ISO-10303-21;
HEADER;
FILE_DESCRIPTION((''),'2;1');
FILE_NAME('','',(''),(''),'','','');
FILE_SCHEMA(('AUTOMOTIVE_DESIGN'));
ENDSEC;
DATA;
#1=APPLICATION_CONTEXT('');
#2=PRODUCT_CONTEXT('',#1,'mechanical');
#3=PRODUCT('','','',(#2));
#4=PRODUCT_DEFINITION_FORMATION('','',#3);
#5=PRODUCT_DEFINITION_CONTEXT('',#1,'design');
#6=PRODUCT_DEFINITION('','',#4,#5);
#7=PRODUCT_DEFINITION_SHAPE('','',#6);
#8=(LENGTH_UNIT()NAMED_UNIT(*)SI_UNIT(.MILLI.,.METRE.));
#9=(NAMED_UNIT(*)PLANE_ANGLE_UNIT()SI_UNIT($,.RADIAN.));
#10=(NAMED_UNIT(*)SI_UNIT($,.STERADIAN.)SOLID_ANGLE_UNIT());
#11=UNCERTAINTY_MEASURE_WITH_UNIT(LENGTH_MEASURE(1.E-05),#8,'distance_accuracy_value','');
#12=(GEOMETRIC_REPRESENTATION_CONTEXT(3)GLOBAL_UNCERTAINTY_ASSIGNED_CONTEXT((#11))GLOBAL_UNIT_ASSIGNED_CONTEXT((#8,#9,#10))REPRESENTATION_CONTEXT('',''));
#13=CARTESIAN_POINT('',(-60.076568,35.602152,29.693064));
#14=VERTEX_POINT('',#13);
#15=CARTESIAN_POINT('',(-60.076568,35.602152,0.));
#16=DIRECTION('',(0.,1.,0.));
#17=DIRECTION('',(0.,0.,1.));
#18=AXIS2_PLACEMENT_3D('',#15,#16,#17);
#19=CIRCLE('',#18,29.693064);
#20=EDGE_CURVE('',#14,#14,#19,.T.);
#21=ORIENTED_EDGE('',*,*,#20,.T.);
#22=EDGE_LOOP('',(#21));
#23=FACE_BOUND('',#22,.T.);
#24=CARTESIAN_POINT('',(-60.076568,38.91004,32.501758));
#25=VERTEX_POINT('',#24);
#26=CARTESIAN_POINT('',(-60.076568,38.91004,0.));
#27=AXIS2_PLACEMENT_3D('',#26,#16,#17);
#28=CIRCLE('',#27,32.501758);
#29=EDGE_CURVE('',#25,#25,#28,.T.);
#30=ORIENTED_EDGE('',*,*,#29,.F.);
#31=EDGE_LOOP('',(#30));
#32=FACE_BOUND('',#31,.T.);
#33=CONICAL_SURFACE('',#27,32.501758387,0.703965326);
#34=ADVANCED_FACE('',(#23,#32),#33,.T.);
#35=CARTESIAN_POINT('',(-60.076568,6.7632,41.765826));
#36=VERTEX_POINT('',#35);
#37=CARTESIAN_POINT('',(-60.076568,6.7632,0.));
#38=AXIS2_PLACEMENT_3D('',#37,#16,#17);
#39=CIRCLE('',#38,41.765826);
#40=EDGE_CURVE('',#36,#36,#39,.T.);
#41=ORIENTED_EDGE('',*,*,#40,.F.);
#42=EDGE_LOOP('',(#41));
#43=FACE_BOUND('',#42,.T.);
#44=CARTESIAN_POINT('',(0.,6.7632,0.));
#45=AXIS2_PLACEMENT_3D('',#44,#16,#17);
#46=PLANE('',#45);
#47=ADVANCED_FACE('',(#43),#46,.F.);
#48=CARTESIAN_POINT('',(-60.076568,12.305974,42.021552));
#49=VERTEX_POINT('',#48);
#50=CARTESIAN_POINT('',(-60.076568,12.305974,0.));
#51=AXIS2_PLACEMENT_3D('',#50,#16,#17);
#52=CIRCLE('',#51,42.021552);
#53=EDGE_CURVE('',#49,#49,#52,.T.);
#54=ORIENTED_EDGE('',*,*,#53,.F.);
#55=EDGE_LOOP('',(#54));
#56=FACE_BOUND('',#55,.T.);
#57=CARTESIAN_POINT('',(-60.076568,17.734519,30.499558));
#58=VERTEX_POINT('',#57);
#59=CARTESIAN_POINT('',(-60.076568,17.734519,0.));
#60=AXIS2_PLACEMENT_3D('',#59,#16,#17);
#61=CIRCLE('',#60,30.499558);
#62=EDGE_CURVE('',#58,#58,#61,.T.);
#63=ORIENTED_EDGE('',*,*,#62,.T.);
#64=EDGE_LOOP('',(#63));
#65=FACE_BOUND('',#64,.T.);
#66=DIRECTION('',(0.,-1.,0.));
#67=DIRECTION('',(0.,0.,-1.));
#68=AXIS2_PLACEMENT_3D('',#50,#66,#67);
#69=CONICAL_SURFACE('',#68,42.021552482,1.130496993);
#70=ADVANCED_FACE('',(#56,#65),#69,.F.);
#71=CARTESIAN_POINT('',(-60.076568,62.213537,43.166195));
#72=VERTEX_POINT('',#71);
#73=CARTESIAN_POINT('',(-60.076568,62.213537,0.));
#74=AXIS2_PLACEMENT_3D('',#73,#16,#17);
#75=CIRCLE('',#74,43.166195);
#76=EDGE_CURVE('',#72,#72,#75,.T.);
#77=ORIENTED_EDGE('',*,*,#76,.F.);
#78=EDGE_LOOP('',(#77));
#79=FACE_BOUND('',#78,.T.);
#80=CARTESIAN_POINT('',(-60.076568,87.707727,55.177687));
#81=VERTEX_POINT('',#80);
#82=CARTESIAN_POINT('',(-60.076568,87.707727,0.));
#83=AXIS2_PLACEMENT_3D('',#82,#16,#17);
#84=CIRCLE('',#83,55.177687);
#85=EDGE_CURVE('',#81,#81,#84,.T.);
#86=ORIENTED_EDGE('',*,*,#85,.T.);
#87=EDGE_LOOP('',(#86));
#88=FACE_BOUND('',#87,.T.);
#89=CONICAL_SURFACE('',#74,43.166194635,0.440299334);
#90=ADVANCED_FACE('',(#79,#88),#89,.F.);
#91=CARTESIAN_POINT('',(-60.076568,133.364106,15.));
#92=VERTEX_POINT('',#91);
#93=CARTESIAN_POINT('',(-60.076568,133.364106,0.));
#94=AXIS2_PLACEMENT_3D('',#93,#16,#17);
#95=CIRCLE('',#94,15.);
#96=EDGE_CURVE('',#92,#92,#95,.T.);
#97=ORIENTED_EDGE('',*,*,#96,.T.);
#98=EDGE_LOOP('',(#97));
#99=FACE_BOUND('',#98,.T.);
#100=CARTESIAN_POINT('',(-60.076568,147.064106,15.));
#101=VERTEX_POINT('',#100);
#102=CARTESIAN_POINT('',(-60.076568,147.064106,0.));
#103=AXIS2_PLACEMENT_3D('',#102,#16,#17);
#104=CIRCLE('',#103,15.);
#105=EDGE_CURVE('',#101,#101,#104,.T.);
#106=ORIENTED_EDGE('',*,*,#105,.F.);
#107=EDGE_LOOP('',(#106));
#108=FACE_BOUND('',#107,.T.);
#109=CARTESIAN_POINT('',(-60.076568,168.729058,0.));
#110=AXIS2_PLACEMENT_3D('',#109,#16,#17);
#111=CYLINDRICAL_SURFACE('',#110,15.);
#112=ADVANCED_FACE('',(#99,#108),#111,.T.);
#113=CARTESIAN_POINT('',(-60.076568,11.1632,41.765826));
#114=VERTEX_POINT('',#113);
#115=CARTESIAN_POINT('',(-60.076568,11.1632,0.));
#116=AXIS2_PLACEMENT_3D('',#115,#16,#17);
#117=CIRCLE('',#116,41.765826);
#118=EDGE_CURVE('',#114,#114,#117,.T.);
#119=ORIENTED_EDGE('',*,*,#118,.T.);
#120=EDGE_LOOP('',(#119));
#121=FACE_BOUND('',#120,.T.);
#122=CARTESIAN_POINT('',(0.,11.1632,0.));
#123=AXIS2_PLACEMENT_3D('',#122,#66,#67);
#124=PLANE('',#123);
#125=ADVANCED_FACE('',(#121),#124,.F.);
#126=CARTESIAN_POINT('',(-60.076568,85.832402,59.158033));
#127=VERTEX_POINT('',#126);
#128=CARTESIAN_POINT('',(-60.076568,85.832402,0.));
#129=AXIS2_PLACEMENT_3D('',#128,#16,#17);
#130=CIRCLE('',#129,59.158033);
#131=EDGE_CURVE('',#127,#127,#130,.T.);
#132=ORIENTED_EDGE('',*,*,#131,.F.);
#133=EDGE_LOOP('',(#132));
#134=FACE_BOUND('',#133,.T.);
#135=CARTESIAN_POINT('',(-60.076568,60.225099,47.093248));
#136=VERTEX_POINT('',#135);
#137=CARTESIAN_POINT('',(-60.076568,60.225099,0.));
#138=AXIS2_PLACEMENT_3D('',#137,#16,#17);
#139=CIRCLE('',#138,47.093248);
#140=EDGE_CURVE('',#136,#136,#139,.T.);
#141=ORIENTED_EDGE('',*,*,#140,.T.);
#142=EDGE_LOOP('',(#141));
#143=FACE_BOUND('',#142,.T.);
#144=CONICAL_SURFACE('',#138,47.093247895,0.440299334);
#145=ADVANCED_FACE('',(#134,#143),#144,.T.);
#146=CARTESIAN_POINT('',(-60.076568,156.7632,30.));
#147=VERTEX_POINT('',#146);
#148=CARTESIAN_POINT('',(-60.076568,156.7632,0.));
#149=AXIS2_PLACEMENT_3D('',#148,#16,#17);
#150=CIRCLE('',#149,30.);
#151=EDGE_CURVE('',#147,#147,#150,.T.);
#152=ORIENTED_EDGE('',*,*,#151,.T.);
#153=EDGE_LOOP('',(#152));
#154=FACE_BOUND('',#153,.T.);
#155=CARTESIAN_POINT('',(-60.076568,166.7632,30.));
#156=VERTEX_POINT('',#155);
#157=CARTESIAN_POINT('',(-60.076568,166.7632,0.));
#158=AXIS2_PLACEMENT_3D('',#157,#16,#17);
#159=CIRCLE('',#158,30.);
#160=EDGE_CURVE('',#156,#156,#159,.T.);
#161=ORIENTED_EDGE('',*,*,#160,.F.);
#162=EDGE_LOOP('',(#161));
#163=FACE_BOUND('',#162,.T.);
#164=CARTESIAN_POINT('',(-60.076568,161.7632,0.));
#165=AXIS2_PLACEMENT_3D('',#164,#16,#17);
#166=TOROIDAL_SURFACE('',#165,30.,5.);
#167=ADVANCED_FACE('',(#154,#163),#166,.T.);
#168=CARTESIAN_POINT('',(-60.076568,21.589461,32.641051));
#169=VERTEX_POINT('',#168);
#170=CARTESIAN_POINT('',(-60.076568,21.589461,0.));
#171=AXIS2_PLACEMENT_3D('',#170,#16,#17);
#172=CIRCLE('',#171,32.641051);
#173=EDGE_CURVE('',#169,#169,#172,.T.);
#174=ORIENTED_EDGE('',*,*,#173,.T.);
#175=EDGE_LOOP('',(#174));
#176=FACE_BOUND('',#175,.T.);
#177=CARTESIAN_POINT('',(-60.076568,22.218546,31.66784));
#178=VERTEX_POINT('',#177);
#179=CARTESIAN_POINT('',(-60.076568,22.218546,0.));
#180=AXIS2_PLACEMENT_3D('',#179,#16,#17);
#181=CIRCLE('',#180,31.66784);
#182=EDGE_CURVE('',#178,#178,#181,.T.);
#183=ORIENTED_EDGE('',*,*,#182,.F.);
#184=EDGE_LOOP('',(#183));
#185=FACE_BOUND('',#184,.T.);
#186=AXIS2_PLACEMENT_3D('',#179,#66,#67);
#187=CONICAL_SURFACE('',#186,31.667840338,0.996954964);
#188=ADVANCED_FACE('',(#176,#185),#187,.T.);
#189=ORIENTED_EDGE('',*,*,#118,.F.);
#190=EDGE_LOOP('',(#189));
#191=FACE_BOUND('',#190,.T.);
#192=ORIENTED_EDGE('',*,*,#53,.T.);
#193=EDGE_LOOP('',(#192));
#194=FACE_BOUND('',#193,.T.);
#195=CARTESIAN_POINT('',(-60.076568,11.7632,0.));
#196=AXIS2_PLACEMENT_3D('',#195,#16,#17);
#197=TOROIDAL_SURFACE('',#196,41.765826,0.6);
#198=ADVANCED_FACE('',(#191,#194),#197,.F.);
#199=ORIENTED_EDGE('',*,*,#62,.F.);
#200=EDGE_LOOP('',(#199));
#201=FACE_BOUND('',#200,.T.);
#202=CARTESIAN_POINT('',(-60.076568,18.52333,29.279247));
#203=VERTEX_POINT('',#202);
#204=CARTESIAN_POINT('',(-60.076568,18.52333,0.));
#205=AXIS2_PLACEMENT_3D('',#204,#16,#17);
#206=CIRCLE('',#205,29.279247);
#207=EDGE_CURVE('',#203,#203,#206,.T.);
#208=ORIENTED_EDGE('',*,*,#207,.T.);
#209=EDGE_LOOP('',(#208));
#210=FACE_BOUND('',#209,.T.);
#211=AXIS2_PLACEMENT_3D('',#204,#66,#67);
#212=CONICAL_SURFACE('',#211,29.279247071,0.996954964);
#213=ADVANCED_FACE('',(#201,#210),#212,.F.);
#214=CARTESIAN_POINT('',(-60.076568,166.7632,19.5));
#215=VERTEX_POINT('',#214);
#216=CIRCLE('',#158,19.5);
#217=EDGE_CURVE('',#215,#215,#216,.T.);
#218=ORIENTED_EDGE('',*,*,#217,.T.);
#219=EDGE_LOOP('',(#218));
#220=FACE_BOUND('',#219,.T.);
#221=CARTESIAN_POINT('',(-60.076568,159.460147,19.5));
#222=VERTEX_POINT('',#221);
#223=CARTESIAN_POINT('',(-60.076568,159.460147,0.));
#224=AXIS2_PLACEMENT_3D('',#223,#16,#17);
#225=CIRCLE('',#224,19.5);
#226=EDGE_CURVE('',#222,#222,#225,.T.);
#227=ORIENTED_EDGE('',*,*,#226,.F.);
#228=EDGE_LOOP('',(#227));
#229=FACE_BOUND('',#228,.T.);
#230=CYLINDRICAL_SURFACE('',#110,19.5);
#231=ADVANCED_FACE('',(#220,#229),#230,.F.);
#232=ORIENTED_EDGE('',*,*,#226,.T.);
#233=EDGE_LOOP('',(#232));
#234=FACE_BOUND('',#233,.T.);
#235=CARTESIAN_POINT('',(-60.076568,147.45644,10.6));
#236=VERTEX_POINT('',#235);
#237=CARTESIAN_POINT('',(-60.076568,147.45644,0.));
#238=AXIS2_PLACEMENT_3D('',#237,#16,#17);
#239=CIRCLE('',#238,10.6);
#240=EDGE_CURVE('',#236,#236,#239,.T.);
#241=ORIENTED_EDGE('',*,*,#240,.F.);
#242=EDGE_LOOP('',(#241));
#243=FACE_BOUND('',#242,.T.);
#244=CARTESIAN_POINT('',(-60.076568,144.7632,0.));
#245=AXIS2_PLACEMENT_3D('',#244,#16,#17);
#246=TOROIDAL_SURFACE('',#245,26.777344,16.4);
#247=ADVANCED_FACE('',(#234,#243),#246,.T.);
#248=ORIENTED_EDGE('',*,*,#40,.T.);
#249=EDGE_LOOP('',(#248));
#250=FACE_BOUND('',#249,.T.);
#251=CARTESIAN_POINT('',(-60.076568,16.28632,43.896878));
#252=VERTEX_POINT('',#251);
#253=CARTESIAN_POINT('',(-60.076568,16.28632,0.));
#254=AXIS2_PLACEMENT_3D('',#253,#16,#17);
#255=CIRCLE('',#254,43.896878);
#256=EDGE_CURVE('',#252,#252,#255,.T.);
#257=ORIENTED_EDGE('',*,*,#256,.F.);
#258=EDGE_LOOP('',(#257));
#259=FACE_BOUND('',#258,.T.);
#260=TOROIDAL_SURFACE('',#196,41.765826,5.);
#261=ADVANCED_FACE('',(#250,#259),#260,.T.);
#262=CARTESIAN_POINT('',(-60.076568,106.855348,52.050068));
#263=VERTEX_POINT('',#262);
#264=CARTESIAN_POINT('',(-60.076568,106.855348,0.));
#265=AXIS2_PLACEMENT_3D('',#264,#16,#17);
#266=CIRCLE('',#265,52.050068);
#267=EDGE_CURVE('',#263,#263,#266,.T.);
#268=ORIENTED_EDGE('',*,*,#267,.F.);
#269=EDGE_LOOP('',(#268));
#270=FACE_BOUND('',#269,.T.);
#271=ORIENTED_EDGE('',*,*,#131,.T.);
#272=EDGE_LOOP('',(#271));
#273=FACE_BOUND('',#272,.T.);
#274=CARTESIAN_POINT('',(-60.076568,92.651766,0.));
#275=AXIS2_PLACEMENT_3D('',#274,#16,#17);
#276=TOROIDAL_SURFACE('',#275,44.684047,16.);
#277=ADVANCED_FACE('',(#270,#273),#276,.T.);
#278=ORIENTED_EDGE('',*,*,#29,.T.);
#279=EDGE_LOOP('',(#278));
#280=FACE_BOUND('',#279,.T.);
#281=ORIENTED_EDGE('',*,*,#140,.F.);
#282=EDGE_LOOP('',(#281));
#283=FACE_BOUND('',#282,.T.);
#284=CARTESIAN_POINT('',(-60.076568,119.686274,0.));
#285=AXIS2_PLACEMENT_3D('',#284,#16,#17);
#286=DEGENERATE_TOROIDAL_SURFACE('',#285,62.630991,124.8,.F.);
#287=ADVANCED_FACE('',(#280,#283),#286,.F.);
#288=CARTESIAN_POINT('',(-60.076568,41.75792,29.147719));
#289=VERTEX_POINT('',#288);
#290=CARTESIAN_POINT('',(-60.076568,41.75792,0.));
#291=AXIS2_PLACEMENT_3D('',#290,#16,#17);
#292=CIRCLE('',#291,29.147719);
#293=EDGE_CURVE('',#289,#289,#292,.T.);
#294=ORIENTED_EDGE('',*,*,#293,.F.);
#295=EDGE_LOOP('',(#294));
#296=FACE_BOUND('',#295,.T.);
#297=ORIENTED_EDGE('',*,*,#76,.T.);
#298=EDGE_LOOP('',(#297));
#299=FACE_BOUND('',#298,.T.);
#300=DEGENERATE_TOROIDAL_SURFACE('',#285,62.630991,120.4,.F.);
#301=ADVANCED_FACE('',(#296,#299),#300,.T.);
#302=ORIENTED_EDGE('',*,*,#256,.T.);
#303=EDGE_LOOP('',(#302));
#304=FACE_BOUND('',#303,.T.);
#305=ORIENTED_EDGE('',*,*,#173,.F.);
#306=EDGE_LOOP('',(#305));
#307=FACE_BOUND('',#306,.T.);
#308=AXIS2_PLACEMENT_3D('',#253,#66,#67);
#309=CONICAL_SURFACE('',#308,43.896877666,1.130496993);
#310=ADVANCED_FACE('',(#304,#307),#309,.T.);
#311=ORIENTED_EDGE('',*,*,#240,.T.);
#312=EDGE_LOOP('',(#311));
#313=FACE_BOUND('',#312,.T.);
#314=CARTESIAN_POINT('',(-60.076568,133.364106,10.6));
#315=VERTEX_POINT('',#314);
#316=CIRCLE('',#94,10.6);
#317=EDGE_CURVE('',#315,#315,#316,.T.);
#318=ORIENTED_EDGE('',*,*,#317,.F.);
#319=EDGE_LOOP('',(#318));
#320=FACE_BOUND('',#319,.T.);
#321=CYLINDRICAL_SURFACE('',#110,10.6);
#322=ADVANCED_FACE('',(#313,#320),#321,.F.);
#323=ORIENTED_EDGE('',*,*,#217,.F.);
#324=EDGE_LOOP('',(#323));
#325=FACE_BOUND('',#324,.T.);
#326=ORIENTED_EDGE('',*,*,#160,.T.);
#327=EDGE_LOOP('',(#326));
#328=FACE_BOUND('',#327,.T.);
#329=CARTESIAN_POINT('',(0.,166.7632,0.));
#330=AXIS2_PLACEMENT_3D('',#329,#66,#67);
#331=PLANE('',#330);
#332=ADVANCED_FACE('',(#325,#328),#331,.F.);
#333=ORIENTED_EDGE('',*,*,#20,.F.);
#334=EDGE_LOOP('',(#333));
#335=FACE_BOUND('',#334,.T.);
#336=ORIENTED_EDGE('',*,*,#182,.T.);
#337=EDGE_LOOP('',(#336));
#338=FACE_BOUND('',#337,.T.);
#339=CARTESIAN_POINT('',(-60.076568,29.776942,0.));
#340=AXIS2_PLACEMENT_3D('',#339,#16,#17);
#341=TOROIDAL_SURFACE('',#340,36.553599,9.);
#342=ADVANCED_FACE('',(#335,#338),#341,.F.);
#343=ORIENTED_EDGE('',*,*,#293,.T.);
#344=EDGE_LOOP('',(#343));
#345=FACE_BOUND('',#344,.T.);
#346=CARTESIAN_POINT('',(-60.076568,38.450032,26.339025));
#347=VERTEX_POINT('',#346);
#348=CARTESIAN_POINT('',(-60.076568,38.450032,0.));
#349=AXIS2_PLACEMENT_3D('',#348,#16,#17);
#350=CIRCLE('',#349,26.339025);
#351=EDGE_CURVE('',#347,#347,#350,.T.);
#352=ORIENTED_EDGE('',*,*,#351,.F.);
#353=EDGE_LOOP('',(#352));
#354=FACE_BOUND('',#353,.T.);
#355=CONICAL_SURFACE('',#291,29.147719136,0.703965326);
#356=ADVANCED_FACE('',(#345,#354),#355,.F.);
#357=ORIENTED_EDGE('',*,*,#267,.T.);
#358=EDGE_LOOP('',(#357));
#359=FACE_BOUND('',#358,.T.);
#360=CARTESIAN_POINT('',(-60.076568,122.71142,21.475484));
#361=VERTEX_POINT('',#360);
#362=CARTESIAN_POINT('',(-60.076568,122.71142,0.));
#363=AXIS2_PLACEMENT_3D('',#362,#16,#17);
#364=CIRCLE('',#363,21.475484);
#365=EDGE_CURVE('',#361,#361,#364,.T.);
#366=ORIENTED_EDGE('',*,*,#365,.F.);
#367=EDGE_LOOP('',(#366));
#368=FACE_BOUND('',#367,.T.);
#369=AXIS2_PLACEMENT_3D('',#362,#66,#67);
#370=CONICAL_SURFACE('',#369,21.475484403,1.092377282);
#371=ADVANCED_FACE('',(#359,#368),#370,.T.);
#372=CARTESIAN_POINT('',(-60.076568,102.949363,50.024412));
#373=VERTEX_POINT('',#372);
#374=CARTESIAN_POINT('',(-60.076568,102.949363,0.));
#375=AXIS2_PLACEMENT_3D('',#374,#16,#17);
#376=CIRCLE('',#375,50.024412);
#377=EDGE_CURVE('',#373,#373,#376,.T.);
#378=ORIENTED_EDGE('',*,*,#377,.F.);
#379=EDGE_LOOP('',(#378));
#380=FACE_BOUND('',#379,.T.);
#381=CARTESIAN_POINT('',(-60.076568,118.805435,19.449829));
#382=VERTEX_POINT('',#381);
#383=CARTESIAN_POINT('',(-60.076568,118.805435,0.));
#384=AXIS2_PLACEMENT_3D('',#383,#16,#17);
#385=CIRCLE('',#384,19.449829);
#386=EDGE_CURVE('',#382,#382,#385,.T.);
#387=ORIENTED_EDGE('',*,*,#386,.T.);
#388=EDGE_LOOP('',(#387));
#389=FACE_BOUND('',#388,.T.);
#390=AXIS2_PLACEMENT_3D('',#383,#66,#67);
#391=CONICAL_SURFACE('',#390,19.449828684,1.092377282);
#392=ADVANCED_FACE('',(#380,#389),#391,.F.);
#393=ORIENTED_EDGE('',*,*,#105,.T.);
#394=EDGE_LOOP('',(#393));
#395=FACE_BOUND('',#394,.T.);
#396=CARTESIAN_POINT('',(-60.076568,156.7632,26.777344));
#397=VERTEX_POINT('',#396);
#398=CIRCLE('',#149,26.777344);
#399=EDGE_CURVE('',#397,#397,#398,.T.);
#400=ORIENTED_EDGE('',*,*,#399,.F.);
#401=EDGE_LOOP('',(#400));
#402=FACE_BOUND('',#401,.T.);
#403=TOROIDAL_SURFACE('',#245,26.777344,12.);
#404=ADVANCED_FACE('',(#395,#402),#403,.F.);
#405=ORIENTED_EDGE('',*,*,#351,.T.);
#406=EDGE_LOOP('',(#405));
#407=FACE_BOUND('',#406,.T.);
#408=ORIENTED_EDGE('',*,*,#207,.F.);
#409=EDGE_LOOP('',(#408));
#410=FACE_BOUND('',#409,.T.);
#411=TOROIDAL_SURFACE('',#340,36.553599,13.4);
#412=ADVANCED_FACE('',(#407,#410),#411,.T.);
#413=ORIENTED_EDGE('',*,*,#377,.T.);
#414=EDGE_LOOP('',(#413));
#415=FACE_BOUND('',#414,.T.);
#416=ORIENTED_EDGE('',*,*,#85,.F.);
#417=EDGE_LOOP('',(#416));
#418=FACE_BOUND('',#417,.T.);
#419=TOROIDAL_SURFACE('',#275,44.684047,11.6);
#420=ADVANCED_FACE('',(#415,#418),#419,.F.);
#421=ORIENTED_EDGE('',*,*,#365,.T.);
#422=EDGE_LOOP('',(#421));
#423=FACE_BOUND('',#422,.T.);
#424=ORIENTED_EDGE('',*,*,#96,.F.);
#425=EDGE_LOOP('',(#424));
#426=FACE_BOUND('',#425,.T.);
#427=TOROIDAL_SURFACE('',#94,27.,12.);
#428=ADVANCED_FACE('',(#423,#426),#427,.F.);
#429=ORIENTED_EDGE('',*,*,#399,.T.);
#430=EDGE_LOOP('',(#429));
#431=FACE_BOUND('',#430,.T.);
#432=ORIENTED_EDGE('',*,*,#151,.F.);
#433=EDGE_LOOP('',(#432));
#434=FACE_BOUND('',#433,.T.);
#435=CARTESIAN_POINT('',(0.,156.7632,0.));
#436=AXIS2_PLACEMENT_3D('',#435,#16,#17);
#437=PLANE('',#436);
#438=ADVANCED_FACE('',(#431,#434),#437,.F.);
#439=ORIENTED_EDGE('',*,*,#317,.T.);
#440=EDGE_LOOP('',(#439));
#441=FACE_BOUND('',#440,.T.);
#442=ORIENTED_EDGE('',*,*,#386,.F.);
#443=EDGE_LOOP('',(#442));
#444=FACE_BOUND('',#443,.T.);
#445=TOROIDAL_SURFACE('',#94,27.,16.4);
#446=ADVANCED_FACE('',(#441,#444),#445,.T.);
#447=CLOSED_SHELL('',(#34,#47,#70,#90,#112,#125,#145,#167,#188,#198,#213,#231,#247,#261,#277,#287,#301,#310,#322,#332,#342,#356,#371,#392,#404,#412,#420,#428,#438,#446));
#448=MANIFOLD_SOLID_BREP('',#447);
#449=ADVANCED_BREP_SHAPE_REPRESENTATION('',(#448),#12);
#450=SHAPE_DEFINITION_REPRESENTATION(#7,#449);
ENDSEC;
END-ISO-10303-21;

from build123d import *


with BuildPart() as part:
    # Sketch1 → Revolve4 (revolve)
    with BuildSketch(Plane.XY, mode=Mode.PRIVATE) as revolve4_sk:
        with BuildLine():
            Line((-66.428136906, 6.763199741), (-60.076567906, 6.763199741))
            Line((-60.076567906, 6.763199741), (-60.076567906, 11.163199741))
            Line((-60.076567906, 11.163199741), (-66.428136906, 11.163199741))
            Line((-66.428136906, 11.163199741), (-101.842394226, 11.163199741))
            ThreePointArc((-101.842394226, 11.163199741), (-102.427913092, 11.632174333), (-102.098120388, 12.305974216))
            Line((-102.098120388, 12.305974216), (-90.576125942, 17.734518757))
            Line((-90.576125942, 17.734518757), (-89.355814977, 18.523329602))
            ThreePointArc((-89.355814977, 18.523329602), (-83.37369714, 27.82092558), (-86.415593116, 38.450031547))
            Line((-86.415593116, 38.450031547), (-89.224287042, 41.757920064))
            ThreePointArc((-89.224287042, 41.757920064), (-96.761571163, 51.623852225), (-103.242762541, 62.213537189))
            Line((-103.242762541, 62.213537189), (-115.254254583, 87.707726936))
            ThreePointArc((-115.254254583, 87.707726936), (-115.749508892, 96.367167151), (-110.100979816, 102.949362905))
            Line((-110.100979816, 102.949362905), (-79.52639659, 118.805434852))
            ThreePointArc((-79.52639659, 118.805434852), (-73.062596135, 124.845385977), (-70.676567906, 133.364106258))
            Line((-70.676567906, 133.364106258), (-70.676567906, 147.456440267))
            ThreePointArc((-70.676567906, 147.456440267), (-73.679966298, 154.530858616), (-79.576567906, 159.460147242))
            Line((-79.576567906, 159.460147242), (-79.576567906, 166.763199741))
            Line((-79.576567906, 166.763199741), (-90.076567906, 166.763199741))
            ThreePointArc((-90.076567906, 166.763199741), (-95.076567906, 161.763199741), (-90.076567906, 156.763199741))
            Line((-90.076567906, 156.763199741), (-86.8539118, 156.763199741))
            ThreePointArc((-86.8539118, 156.763199741), (-79.22537584, 154.026322276), (-75.076567906, 147.064106258))
            Line((-75.076567906, 147.064106258), (-75.076567906, 133.364106258))
            ThreePointArc((-75.076567906, 133.364106258), (-76.82244222, 127.130896297), (-81.552052309, 122.711419863))
            Line((-81.552052309, 122.711419863), (-112.126635535, 106.855347916))
            ThreePointArc((-112.126635535, 106.855347916), (-119.917710122, 97.776457221), (-119.23460073, 85.832401752))
            Line((-119.23460073, 85.832401752), (-107.169815801, 60.225098746))
            ThreePointArc((-107.169815801, 60.225098746), (-100.427028361, 49.189035556), (-92.578326293, 38.910040028))
            Line((-92.578326293, 38.910040028), (-89.769632367, 35.60215151))
            ThreePointArc((-89.769632367, 35.60215151), (-87.726567906, 28.463199741), (-91.744408244, 22.218545727))
            Line((-91.744408244, 22.218545727), (-92.71761855, 21.589461119))
            Line((-92.71761855, 21.589461119), (-103.973445572, 16.286320364))
            ThreePointArc((-103.973445572, 16.286320364), (-106.721718109, 10.67132134), (-101.842394226, 6.763199741))
            Line((-101.842394226, 6.763199741), (-66.428136906, 6.763199741))
        make_face()
    revolve(revolve4_sk.sketch.rotate(Axis((-60.076567906, 168.729058273, 0), (0, -1, 0)), 270), axis=Axis((-60.076567906, 168.729058273, 0), (0, -1, 0)))


solid = part.part
